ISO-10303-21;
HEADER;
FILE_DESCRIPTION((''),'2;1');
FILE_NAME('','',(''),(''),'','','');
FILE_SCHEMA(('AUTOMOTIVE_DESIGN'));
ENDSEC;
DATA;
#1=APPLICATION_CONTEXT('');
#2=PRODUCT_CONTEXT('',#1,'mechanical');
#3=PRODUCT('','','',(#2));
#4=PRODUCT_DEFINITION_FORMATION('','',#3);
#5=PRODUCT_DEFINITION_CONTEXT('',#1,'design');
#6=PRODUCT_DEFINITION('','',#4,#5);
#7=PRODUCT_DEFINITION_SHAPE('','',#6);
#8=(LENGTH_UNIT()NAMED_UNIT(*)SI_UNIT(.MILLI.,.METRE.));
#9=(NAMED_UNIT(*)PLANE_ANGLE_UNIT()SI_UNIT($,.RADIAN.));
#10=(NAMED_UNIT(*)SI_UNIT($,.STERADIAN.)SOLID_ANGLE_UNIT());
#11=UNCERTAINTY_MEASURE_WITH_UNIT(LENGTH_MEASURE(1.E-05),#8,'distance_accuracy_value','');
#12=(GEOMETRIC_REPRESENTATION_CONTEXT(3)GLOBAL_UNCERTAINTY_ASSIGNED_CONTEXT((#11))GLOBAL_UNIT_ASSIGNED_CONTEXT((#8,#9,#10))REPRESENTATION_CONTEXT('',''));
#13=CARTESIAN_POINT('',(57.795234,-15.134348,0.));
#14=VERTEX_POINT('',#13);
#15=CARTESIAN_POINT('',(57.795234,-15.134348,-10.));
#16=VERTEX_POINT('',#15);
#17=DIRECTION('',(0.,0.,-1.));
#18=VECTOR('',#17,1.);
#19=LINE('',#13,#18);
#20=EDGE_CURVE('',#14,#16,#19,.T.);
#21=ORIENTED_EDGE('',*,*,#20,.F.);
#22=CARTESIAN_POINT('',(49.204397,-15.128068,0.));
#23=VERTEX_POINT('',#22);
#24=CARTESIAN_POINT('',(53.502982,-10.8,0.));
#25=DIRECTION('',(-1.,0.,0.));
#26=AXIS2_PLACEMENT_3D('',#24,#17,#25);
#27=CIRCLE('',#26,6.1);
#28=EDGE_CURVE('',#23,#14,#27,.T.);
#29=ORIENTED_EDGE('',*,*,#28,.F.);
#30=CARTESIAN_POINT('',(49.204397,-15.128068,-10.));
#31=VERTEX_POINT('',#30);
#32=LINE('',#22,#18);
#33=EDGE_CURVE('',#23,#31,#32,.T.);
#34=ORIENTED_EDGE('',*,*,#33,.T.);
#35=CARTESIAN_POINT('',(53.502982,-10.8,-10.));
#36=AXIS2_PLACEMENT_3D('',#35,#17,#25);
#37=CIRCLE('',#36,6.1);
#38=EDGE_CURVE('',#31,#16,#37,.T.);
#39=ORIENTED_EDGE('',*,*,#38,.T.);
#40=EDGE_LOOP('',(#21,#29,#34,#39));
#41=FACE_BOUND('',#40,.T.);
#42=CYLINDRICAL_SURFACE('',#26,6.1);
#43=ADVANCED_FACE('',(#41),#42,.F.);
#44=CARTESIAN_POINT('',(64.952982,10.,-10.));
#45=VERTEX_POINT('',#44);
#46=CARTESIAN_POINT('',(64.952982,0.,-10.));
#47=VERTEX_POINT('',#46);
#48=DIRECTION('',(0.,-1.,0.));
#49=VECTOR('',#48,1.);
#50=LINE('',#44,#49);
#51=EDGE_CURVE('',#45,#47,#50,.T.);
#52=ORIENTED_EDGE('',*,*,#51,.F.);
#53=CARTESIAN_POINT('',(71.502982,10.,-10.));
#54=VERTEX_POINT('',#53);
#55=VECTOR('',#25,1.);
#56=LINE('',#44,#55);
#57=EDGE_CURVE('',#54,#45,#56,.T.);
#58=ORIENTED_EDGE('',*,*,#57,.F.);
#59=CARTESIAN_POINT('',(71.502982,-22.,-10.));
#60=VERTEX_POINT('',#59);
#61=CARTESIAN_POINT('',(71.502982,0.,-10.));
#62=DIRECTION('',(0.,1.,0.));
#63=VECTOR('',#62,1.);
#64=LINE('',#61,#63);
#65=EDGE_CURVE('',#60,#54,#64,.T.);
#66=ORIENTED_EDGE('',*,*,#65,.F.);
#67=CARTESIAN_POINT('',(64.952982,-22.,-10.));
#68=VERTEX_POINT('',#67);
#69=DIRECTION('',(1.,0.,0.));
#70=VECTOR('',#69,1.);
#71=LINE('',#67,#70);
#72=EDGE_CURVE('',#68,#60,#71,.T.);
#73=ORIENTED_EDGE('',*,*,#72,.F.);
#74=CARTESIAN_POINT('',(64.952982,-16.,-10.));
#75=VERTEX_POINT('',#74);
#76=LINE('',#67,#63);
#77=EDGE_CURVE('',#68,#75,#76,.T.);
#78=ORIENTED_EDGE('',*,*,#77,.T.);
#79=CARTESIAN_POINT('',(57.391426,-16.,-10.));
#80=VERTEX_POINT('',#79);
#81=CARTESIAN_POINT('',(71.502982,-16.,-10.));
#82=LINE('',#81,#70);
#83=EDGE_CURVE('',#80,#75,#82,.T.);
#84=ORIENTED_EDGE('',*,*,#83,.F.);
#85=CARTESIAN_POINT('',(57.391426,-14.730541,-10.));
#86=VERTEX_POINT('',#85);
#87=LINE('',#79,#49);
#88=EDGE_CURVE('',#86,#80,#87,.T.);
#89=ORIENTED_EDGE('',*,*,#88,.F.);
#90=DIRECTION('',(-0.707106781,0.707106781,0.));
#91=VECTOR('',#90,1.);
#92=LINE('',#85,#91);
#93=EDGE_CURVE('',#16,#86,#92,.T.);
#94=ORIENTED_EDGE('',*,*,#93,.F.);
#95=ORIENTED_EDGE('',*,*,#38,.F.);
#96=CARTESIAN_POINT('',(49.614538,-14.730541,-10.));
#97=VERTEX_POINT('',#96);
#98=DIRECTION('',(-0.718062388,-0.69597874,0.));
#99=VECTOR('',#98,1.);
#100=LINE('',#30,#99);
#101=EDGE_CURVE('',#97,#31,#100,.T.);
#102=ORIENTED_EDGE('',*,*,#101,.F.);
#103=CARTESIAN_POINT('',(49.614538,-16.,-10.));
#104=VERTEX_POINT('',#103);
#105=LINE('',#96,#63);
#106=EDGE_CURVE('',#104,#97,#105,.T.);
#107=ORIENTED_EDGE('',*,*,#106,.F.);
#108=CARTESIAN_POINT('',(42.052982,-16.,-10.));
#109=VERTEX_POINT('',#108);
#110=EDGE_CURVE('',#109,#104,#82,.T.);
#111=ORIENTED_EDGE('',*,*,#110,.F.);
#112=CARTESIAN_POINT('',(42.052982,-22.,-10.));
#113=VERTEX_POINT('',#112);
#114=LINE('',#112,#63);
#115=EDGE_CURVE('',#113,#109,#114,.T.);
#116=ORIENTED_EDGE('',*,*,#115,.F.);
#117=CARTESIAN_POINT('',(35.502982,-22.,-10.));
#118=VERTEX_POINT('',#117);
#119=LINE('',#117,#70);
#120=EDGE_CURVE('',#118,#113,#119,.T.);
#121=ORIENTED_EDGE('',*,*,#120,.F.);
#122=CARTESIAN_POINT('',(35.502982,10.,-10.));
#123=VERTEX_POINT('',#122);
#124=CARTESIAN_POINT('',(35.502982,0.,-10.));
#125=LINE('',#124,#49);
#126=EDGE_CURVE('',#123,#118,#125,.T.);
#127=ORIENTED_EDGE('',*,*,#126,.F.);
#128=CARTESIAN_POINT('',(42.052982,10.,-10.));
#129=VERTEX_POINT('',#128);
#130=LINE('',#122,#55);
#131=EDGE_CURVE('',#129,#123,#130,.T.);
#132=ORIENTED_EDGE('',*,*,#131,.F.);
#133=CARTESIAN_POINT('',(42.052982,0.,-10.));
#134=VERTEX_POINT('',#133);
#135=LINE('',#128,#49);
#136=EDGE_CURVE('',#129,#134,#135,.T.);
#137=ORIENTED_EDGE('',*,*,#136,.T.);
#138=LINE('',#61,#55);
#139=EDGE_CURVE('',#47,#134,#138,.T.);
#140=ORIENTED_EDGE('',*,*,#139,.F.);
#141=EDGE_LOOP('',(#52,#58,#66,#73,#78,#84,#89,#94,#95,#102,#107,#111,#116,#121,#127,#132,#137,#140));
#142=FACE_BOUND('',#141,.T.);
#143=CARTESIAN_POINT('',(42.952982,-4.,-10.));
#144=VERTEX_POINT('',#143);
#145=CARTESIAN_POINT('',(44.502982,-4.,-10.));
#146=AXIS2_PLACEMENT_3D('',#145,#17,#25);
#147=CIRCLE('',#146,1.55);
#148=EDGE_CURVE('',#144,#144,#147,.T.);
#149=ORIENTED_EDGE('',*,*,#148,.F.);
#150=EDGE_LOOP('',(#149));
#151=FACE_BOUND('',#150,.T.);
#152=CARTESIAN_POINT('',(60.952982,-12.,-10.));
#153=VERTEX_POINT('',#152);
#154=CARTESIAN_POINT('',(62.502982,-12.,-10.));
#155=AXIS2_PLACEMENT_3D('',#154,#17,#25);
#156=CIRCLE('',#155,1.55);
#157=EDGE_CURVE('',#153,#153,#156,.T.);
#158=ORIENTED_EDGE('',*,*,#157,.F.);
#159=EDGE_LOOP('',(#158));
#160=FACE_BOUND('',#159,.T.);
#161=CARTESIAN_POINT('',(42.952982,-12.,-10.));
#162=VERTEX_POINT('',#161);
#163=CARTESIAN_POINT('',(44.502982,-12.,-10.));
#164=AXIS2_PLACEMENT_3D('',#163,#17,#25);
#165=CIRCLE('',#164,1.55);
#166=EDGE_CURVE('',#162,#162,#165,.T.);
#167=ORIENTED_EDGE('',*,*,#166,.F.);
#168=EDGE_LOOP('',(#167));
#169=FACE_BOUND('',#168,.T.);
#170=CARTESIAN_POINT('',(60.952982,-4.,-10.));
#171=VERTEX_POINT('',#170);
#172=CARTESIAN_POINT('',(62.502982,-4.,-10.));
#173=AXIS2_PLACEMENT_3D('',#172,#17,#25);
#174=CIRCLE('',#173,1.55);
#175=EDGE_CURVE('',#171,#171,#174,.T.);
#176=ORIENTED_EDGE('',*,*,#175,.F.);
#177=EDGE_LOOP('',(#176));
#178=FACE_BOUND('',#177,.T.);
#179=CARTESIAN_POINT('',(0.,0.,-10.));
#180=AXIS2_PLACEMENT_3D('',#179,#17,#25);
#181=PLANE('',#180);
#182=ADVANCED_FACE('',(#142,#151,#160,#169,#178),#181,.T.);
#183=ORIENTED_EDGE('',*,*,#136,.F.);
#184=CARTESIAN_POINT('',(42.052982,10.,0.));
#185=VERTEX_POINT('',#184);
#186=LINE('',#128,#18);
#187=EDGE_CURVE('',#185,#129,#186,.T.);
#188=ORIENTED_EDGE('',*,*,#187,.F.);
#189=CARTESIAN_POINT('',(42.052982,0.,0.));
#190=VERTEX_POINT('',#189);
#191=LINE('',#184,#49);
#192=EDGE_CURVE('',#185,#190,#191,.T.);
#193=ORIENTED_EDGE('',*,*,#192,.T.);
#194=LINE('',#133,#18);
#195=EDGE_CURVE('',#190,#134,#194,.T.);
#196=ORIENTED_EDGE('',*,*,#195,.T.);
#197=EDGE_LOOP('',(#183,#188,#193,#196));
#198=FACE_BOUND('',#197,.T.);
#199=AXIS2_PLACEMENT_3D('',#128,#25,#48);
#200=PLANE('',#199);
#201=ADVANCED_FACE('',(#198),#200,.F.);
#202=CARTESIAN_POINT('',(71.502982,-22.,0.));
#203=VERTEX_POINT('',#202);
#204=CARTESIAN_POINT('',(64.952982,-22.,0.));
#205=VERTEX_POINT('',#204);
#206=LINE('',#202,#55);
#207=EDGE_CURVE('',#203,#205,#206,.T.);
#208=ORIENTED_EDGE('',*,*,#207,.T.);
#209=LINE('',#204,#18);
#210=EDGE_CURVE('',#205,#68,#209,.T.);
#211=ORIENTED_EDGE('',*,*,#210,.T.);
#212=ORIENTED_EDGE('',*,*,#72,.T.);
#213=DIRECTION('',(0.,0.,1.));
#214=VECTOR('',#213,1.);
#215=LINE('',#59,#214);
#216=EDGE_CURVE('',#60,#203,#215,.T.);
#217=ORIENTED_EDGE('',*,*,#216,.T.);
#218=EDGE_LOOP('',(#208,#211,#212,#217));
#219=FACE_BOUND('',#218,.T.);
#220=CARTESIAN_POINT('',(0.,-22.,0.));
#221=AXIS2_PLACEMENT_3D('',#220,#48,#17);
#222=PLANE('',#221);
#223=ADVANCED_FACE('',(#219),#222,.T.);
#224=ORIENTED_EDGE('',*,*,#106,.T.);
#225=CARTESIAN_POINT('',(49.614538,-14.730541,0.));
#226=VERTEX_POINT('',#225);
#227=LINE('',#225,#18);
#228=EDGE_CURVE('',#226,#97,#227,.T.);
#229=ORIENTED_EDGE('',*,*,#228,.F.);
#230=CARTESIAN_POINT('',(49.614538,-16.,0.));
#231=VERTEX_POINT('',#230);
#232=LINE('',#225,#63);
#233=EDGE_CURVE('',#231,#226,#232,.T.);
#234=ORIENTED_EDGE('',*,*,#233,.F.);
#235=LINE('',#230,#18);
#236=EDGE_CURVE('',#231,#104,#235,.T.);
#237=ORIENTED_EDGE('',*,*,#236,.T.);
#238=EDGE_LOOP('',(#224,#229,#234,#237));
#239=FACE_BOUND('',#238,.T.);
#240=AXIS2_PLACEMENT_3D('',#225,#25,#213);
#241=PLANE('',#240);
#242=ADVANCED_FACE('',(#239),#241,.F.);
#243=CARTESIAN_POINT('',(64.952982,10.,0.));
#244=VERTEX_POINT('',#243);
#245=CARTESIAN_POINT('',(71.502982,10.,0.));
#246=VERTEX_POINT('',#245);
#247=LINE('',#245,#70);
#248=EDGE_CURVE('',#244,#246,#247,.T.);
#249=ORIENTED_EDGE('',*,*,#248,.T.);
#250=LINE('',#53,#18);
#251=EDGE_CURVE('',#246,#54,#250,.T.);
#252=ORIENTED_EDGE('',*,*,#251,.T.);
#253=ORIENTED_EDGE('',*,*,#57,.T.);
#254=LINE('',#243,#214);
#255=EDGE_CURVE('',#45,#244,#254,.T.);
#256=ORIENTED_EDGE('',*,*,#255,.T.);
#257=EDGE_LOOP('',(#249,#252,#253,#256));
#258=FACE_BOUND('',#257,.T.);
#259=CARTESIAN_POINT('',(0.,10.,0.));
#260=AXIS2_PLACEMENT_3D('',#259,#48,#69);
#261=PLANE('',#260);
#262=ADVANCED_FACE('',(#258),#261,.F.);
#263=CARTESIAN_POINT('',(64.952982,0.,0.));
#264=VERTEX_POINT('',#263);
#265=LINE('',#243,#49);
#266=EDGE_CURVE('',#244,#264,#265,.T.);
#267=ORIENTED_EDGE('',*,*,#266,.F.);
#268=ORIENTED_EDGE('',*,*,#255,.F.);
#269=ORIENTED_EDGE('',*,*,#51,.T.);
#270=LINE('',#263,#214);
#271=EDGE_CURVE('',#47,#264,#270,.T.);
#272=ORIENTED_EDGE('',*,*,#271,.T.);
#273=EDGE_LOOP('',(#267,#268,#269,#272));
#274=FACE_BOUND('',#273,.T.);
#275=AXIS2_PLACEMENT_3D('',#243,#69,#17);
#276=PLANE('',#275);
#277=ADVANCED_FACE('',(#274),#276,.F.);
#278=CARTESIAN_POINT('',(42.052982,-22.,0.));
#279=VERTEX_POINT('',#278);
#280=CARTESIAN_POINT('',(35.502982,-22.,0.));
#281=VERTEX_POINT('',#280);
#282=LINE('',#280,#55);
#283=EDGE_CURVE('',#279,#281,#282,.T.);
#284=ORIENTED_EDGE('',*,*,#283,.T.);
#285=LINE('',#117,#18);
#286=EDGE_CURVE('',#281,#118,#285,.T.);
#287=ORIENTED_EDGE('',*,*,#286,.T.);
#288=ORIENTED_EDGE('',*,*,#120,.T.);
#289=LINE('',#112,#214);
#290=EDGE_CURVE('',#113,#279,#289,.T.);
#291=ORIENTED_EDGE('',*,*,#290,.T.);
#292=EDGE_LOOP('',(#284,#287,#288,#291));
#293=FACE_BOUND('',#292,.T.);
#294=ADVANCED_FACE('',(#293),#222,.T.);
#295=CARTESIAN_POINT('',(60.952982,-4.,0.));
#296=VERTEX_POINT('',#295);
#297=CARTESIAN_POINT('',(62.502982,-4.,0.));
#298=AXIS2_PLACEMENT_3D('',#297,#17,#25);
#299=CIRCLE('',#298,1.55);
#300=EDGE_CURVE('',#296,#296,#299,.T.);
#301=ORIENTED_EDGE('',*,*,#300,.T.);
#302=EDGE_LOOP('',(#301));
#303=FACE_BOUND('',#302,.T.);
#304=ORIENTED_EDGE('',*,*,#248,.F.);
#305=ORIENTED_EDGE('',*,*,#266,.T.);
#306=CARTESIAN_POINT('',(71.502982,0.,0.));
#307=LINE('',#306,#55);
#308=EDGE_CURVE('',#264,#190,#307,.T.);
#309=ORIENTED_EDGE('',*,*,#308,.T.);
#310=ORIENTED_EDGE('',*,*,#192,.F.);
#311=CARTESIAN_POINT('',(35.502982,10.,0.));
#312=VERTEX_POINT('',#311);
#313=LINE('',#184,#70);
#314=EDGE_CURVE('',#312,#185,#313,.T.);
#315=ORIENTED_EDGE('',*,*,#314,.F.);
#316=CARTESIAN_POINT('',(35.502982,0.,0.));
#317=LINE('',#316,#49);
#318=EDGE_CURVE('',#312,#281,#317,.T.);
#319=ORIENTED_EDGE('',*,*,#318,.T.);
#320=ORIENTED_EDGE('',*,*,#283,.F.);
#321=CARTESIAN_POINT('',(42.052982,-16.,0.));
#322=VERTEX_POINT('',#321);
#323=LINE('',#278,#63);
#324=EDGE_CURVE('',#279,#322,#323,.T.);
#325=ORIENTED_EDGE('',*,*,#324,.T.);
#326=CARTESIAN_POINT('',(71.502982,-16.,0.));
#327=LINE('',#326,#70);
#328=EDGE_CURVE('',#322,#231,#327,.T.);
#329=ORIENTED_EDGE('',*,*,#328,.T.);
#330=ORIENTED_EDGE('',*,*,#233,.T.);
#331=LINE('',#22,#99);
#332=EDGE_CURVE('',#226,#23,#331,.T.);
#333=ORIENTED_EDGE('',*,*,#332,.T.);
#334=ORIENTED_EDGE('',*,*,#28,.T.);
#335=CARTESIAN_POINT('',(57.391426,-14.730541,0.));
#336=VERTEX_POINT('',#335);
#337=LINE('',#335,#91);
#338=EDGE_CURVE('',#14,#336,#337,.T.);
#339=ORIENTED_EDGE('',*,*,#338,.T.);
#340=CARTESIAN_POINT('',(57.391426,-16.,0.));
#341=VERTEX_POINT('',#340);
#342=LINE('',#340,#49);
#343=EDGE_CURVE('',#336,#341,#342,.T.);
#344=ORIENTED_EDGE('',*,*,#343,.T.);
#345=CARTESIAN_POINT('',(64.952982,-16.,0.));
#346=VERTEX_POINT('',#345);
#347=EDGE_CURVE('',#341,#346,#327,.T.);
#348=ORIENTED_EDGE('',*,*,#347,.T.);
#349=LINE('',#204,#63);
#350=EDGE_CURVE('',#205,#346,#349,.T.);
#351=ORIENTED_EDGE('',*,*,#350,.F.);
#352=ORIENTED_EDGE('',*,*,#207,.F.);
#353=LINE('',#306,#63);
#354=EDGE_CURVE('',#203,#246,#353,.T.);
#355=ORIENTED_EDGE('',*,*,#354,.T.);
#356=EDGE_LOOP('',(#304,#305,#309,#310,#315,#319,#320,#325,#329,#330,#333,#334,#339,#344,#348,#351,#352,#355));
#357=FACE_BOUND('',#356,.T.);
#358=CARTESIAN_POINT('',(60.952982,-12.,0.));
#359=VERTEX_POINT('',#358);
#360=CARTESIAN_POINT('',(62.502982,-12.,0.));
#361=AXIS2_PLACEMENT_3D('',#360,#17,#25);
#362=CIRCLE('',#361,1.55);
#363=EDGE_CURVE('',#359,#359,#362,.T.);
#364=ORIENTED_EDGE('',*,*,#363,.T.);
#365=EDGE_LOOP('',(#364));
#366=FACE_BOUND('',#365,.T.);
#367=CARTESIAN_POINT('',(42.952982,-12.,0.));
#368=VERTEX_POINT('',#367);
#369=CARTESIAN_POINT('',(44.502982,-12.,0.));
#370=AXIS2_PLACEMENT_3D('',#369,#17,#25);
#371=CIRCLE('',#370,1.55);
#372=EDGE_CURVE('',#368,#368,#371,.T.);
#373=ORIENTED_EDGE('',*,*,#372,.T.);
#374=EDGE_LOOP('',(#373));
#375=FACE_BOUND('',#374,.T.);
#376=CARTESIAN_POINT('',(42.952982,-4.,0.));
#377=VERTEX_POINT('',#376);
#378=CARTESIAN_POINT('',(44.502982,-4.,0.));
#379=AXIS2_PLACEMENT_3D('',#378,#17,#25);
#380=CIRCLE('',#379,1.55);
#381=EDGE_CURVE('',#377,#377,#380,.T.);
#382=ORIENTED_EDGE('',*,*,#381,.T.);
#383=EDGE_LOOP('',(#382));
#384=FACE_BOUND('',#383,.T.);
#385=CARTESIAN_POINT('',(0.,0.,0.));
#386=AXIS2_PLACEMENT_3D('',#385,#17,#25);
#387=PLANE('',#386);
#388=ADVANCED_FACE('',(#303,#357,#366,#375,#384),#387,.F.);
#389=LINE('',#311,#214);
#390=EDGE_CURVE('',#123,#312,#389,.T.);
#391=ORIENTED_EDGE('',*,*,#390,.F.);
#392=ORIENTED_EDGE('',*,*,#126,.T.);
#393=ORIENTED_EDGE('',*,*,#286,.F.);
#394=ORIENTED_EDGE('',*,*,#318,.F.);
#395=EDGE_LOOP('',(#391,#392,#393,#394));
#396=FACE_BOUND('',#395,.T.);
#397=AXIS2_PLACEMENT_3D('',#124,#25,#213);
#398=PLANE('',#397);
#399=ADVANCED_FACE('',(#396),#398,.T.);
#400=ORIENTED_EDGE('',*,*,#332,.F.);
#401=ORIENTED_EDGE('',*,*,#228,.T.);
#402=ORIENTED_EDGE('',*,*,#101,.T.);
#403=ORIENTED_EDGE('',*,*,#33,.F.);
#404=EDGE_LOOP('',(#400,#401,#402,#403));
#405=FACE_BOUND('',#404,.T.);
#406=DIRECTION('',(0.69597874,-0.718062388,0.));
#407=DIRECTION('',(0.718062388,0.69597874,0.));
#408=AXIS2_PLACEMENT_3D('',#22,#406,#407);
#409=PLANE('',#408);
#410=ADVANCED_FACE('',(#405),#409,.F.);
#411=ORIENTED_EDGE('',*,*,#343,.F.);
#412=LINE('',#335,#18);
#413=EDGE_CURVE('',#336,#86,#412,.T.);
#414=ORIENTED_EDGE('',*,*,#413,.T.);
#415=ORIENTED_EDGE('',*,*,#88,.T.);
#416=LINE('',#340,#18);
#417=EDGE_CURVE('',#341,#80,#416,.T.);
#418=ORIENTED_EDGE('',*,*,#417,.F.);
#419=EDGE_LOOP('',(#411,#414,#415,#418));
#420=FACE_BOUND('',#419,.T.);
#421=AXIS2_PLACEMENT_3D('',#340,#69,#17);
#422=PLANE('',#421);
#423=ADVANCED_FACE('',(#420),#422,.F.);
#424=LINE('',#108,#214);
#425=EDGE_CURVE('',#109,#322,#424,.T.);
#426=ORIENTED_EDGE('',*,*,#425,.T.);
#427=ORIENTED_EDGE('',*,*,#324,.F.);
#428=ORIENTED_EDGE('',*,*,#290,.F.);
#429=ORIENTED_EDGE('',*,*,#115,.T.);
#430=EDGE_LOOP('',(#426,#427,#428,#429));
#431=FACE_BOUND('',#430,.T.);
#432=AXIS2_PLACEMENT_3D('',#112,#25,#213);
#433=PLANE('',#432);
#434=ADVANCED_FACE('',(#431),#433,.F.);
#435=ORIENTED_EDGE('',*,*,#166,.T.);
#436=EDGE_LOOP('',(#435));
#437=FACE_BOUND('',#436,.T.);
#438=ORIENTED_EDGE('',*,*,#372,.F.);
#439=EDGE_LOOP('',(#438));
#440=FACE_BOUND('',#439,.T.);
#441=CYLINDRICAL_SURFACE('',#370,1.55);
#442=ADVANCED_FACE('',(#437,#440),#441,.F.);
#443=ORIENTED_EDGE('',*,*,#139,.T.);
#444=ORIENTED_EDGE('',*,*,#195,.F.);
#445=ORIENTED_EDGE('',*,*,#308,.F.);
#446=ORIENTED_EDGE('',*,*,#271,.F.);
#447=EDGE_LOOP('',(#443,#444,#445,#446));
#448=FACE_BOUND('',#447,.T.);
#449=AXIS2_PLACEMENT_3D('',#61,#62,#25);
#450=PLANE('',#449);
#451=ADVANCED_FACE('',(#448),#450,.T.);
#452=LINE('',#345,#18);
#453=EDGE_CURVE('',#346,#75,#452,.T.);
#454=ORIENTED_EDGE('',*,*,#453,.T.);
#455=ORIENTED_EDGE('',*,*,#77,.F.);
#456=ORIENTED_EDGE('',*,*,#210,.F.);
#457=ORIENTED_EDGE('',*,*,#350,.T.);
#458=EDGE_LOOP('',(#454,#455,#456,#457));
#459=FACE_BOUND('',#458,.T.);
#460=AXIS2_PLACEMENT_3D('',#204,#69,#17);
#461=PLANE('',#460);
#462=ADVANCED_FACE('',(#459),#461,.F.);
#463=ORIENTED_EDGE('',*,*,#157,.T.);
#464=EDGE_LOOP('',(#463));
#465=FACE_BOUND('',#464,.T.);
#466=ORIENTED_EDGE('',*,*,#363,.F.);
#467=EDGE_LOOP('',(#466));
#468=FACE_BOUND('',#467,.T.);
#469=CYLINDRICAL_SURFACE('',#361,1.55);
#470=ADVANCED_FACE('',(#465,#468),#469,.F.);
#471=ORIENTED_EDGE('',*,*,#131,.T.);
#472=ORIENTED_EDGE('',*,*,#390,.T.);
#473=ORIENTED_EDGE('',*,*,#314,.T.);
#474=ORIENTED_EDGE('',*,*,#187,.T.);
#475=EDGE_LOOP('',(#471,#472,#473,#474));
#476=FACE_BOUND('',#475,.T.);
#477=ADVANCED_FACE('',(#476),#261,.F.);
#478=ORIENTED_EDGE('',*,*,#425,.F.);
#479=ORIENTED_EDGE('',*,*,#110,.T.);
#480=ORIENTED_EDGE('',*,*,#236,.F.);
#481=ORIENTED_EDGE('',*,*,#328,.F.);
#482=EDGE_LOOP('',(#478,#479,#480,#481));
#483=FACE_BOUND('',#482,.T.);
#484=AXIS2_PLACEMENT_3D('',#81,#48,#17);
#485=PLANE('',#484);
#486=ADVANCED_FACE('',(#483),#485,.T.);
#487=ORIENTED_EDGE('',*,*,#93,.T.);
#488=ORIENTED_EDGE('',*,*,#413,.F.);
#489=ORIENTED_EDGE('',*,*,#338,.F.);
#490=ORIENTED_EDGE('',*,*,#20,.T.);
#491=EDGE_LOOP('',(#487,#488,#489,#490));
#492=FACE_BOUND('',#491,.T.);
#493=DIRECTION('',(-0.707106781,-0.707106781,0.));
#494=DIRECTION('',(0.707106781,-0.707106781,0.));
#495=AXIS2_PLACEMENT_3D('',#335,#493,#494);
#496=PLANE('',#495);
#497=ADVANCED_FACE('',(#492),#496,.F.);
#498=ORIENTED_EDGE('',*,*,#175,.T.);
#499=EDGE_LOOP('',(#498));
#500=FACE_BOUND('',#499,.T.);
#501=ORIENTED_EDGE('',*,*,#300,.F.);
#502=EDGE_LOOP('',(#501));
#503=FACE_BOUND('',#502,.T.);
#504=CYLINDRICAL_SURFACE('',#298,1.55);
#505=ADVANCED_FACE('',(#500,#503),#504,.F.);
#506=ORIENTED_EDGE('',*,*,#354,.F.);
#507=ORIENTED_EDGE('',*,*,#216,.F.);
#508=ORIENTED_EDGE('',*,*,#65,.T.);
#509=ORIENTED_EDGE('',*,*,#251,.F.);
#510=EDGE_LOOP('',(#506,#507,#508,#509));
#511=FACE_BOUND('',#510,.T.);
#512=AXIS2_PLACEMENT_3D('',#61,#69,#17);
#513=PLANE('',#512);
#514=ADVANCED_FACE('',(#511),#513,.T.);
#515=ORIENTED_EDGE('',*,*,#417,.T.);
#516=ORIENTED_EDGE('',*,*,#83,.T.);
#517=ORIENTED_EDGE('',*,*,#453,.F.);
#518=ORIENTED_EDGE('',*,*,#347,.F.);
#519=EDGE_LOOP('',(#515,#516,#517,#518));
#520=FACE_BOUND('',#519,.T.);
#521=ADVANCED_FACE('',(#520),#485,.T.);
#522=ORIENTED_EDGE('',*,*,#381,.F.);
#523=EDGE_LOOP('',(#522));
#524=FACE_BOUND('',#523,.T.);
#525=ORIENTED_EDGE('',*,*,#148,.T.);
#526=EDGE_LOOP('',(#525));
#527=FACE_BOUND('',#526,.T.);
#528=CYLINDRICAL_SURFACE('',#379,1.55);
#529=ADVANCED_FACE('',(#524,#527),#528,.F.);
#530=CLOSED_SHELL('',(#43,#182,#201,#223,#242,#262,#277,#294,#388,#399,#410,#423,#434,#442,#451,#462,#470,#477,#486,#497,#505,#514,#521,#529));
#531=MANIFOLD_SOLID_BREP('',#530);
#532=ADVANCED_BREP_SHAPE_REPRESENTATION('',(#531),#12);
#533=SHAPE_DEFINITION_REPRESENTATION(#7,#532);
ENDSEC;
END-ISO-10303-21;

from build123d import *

# Parameters (mm, degrees)
SZKIC1_W                    = 36
SZKIC1_H                    = 16
DODANIE_WYCI_GNI_CIE1_DEPTH = 10
WYTNIJ_WYCI_GNI_CIE1_DEPTH  = 10
SZKIC3_R                    = 1.55
WYTNIJ_WYCI_GNI_CIE2_DEPTH  = 74.950499929
SZKIC4_W                    = 6.55
SZKIC4_H                    = 10
DODANIE_WYCI_GNI_CIE2_DEPTH = 6
SZKIC5_W                    = 6.55
SZKIC5_H                    = 10
DODANIE_WYCI_GNI_CIE3_DEPTH = 10


with BuildPart() as part:
    # Szkic1 → Dodanie-wyciągnięcie1 (new body)
    with BuildSketch(Plane.XY):
        with Locations((53.502982034, -8)):
            Rectangle(SZKIC1_W, SZKIC1_H)
    extrude(amount=-DODANIE_WYCI_GNI_CIE1_DEPTH)

    # Szkic2 → Wytnij-wyciągnięcie1 (cut)
    with BuildSketch(Plane(origin=(0, 0, -10), x_dir=(-1, 0, 0), z_dir=(0, 0, -1))):
        with BuildLine():
            Line((-57.391426453, -16), (-49.614537615, -16))
            Line((-49.614537615, -16), (-49.614537615, -14.730541148))
            Line((-49.614537615, -14.730541148), (-49.204397396, -15.128067711))
            ThreePointArc((-49.204397396, -15.128067711), (-53.507441674, -4.70000163), (-57.795233679, -15.134348373))
            Line((-57.795233679, -15.134348373), (-57.391426453, -14.730541148))
            Line((-57.391426453, -14.730541148), (-57.391426453, -16))
        make_face()
    extrude(amount=-WYTNIJ_WYCI_GNI_CIE1_DEPTH, mode=Mode.SUBTRACT)

    # Szkic3 → Wytnij-wyciągnięcie2 (cut, through all)
    with BuildSketch(Plane(origin=(0, 0, -10), x_dir=(-1, 0, 0), z_dir=(0, 0, -1))):
        with Locations((-44.502982034, -12)):
            Circle(SZKIC3_R)
        with Locations((-44.502982034, -4)):
            Circle(SZKIC3_R)
        with Locations((-62.502982034, -12)):
            Circle(SZKIC3_R)
        with Locations((-62.502982034, -4)):
            Circle(SZKIC3_R)
    extrude(amount=-WYTNIJ_WYCI_GNI_CIE2_DEPTH, mode=Mode.SUBTRACT)

    # Szkic4 → Dodanie-wyciągnięcie2 (add)
    with BuildSketch(Plane.XZ.offset(16)):
        with Locations((68.227982034, -5)):
            Rectangle(SZKIC4_W, SZKIC4_H)
        with Locations((38.777982035, -5)):
            Rectangle(SZKIC4_W, SZKIC4_H)
    extrude(amount=DODANIE_WYCI_GNI_CIE2_DEPTH)

    # Szkic5 → Dodanie-wyciągnięcie3 (add)
    with BuildSketch(Plane(origin=(0, 0, 0), x_dir=(1, 0, 0), z_dir=(0, 1, 0))):
        with Locations((68.227982034, 5)):
            Rectangle(SZKIC5_W, SZKIC5_H)
        with Locations((38.777982035, 5)):
            Rectangle(SZKIC5_W, SZKIC5_H)
    extrude(amount=DODANIE_WYCI_GNI_CIE3_DEPTH)


solid = part.part
